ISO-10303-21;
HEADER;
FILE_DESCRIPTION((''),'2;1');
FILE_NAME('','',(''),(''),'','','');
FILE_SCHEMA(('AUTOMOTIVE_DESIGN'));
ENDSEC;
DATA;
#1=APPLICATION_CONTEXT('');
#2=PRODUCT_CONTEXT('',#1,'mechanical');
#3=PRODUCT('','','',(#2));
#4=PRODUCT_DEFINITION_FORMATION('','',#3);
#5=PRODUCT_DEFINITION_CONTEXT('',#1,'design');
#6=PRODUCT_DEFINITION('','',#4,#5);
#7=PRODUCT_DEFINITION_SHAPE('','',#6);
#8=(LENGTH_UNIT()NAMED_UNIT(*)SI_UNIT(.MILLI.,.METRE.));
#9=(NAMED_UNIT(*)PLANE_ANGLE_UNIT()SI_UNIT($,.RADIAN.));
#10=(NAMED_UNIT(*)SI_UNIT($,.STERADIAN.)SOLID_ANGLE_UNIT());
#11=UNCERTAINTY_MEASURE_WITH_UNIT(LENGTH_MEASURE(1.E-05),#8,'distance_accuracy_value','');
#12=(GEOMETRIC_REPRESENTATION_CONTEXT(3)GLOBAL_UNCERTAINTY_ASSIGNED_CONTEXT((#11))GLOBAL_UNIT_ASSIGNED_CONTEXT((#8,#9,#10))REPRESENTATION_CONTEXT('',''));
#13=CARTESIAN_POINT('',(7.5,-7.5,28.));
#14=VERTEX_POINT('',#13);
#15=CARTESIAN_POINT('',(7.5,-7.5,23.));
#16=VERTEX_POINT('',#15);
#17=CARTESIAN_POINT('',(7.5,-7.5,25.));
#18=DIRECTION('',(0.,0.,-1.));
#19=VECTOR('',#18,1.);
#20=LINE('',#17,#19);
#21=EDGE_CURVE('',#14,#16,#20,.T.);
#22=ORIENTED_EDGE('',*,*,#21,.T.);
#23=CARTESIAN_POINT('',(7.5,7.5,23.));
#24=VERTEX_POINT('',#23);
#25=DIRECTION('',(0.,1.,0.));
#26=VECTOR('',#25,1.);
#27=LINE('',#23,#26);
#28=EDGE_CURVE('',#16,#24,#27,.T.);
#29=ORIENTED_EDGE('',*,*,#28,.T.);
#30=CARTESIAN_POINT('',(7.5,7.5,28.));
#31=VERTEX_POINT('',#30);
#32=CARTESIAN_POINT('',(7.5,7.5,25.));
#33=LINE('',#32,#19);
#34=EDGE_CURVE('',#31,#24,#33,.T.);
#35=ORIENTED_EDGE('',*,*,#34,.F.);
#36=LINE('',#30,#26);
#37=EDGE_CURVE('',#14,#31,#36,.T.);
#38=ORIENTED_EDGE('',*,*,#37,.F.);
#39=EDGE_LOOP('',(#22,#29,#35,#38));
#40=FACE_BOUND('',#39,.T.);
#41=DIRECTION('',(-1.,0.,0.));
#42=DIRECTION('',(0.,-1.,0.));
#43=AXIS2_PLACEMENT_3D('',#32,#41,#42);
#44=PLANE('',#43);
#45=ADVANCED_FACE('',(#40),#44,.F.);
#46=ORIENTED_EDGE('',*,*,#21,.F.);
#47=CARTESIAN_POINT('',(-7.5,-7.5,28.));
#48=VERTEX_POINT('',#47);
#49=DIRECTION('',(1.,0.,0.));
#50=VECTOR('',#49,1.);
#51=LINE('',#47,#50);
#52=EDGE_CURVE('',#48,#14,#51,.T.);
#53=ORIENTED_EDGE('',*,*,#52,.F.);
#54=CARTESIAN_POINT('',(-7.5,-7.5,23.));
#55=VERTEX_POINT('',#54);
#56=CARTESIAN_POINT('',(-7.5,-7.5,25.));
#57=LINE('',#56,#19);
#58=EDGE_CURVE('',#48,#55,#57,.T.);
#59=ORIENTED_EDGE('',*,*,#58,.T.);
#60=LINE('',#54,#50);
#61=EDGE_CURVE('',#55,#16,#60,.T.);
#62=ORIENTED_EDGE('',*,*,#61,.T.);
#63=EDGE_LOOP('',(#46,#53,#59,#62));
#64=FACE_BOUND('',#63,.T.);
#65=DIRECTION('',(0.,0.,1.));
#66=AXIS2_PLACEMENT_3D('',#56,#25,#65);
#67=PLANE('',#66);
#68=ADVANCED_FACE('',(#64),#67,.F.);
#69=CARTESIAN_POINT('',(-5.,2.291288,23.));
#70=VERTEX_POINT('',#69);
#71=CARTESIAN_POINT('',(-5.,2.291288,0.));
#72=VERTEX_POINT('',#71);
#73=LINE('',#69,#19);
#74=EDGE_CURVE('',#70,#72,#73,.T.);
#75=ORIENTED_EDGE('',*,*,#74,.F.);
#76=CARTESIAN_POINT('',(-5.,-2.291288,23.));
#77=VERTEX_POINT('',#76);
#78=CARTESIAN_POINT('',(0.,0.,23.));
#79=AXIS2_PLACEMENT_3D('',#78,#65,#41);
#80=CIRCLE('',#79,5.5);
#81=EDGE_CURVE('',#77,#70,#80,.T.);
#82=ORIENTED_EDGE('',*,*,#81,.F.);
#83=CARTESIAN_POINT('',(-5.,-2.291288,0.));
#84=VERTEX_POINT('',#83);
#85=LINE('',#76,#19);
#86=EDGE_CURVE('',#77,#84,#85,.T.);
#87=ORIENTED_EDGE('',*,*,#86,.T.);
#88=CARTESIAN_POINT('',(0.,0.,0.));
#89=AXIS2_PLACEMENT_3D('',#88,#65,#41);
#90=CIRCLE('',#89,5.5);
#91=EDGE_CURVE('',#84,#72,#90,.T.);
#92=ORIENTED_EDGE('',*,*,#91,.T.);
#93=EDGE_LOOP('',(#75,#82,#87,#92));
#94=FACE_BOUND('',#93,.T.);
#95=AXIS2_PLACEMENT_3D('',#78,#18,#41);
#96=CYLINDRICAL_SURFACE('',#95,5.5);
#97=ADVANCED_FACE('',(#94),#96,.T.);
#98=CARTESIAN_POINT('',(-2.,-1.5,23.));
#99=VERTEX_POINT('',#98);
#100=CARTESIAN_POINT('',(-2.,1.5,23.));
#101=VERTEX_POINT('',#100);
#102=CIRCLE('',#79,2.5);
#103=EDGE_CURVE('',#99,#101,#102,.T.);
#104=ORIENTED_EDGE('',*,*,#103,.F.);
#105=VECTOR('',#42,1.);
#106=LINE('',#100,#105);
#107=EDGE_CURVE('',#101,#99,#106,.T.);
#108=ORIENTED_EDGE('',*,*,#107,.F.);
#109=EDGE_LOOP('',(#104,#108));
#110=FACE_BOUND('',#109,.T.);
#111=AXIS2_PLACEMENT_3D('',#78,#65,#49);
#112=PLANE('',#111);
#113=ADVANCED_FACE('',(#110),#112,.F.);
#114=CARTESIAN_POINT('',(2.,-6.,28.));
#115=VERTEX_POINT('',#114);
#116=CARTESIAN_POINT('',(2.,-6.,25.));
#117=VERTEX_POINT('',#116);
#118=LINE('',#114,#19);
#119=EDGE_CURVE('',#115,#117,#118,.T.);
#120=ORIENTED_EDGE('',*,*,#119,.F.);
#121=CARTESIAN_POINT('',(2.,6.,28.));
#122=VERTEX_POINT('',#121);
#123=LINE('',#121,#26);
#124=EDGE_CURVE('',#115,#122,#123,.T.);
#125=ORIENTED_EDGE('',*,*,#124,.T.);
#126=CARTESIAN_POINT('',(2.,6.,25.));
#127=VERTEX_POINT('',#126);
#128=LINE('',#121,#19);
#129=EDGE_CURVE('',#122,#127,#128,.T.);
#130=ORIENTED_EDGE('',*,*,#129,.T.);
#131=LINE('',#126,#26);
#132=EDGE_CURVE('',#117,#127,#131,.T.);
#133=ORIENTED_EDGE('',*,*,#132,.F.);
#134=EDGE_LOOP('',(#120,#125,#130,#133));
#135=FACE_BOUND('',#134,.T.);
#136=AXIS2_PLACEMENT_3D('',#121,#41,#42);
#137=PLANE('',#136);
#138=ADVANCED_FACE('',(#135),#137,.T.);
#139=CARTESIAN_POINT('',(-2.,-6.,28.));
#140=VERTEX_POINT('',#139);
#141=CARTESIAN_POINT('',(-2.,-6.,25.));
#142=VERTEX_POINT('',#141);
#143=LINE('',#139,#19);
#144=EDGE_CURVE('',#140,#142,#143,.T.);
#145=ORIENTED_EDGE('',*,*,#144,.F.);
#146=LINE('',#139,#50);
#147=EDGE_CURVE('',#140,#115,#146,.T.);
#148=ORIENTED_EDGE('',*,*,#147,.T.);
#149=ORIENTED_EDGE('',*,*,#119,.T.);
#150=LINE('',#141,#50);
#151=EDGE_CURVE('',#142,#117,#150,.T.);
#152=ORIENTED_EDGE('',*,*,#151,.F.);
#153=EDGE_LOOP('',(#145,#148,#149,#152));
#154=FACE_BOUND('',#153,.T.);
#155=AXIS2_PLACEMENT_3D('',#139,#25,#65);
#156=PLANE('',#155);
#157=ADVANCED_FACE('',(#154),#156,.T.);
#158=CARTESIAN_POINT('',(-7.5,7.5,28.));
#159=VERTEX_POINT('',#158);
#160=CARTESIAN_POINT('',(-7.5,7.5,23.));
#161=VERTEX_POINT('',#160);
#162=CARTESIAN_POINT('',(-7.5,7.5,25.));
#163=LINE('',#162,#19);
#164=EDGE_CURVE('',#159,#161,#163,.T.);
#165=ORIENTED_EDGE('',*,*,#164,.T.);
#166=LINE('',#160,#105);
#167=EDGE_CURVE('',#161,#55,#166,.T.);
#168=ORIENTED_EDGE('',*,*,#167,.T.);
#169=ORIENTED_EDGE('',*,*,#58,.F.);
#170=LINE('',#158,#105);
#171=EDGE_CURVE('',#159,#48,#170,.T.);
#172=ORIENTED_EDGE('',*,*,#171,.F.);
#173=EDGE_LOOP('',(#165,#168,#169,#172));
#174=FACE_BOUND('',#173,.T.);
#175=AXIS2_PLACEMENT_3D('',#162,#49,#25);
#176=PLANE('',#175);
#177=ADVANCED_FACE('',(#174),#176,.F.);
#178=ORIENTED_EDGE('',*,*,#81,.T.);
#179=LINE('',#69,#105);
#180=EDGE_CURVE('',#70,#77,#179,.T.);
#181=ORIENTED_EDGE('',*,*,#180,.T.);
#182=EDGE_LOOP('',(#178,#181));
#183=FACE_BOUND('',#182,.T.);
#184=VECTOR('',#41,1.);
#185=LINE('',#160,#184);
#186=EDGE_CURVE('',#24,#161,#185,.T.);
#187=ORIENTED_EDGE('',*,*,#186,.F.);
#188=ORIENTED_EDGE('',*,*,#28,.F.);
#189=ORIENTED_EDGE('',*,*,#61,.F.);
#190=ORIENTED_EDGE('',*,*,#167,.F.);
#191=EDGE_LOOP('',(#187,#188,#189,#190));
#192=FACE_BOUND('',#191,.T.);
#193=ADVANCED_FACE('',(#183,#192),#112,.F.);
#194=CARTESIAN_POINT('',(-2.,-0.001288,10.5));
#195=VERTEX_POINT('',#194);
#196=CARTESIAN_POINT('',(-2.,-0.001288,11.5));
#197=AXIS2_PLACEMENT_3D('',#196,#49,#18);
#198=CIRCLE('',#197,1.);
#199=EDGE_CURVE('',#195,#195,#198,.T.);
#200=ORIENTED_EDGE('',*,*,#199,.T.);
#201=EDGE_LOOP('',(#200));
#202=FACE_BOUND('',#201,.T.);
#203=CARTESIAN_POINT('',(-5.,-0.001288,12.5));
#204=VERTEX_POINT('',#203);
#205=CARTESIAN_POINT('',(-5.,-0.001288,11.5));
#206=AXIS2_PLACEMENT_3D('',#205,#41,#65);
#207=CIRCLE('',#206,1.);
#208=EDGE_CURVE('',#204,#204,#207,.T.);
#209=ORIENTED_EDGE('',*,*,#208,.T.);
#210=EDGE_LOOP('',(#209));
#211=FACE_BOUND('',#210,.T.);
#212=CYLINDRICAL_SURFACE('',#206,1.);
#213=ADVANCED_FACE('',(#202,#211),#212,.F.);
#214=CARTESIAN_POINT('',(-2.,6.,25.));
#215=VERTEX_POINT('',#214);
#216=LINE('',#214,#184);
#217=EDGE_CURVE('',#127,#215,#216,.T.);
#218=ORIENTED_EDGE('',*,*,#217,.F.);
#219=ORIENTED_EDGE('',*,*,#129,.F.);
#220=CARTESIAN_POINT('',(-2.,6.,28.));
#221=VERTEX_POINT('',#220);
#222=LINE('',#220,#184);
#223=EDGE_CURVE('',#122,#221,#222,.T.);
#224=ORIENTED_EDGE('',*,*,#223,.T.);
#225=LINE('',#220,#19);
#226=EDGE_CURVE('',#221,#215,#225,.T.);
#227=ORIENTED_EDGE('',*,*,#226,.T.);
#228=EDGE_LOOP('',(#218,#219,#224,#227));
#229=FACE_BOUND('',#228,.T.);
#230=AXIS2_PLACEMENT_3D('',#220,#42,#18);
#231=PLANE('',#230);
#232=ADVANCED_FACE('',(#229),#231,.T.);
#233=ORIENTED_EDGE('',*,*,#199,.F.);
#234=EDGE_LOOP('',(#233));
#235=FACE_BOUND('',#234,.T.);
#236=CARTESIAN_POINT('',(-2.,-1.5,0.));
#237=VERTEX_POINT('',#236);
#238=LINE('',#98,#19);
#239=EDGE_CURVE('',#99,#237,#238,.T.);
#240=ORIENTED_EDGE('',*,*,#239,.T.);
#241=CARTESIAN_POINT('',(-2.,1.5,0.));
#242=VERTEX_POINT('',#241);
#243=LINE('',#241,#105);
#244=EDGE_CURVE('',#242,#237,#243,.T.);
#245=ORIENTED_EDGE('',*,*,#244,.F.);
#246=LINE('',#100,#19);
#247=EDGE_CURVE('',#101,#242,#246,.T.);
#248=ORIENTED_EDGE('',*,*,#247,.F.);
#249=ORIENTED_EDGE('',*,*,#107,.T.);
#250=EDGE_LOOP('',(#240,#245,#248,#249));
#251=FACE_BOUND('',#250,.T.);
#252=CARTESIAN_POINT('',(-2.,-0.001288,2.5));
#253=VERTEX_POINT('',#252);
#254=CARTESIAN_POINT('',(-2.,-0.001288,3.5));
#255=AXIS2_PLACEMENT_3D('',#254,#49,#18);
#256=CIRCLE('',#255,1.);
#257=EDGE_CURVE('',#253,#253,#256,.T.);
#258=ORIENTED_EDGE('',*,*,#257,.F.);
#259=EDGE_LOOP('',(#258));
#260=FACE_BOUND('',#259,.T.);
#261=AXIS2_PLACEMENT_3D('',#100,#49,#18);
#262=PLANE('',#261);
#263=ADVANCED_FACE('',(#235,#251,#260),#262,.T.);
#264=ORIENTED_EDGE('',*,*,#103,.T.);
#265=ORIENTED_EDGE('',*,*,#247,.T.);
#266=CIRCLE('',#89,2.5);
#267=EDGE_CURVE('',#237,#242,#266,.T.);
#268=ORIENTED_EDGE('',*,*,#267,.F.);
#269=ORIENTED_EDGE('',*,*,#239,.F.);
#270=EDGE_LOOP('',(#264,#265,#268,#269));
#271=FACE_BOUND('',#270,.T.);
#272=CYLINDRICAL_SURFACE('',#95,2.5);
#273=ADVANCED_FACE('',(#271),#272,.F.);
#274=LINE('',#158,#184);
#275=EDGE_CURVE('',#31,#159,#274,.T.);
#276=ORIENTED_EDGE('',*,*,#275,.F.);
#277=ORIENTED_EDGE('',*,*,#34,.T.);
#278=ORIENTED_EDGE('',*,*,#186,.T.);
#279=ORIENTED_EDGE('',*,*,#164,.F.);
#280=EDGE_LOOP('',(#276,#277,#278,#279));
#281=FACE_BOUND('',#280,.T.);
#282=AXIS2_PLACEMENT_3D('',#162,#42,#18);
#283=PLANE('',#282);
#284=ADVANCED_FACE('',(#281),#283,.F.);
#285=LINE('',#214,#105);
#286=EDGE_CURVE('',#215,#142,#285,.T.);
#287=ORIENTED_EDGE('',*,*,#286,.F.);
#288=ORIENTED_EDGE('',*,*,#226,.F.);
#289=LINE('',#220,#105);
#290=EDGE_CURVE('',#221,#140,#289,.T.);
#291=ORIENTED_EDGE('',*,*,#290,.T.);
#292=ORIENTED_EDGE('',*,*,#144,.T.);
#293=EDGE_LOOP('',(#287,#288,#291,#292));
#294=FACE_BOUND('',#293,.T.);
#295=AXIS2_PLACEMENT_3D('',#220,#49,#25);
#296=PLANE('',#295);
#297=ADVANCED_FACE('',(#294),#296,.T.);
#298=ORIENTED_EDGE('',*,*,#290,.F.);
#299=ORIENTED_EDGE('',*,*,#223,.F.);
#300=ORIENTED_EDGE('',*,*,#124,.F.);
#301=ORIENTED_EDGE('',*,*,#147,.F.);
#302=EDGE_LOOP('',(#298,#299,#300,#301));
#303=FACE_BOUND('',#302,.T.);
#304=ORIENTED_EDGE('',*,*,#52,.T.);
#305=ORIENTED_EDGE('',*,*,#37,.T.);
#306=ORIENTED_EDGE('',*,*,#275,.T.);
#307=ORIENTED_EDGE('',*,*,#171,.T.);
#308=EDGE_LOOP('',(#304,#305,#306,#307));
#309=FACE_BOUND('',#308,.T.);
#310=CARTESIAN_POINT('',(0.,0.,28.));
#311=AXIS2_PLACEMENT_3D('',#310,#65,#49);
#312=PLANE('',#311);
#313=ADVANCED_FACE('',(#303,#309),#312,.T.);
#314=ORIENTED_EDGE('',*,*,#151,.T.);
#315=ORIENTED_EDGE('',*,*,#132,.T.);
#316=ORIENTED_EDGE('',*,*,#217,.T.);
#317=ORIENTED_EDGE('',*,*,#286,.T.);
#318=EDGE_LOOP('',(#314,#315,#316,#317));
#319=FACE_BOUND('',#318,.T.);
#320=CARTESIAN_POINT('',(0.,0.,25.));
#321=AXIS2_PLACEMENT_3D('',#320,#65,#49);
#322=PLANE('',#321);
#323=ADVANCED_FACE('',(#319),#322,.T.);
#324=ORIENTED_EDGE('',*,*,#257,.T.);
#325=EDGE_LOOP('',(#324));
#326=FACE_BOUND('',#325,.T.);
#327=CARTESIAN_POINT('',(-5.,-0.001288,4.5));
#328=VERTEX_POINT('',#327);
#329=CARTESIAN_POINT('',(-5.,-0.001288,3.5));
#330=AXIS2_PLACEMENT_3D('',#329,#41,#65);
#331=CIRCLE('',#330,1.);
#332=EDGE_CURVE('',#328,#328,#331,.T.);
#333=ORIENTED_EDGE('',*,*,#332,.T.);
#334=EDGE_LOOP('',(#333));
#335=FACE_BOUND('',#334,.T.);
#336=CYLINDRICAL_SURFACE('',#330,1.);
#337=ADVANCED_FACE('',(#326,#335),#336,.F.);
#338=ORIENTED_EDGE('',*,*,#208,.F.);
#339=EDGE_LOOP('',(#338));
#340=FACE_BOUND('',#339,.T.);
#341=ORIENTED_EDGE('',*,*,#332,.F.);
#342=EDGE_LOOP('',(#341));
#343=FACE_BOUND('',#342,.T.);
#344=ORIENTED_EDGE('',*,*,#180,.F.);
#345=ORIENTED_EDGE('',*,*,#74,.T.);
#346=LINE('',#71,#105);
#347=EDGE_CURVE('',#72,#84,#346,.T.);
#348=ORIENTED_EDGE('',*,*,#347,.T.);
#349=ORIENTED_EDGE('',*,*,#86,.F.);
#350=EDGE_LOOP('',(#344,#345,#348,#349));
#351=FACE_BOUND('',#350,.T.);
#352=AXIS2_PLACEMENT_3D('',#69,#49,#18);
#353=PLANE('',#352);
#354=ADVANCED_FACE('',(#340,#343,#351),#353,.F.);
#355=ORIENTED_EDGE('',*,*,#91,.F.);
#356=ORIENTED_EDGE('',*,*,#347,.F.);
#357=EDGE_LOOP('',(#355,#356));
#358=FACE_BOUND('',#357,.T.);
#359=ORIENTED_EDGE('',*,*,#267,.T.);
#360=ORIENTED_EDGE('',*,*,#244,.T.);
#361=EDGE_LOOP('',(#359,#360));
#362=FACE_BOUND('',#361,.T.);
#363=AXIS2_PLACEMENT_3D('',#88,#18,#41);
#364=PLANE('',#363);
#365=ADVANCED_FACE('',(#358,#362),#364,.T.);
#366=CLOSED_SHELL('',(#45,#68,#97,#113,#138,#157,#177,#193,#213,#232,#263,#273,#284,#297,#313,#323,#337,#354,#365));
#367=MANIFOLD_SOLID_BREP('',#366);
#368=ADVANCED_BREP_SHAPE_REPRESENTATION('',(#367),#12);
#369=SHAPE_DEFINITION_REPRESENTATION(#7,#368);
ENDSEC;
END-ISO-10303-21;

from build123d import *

# Parameters (mm, degrees)
BOSS_EXTRU_1_DEPTH                = 23
DIAM_TRE_DU_PER_AGE_2_0_2_1_D     = 2
DIAM_TRE_DU_PER_AGE_2_0_2_1_DEPTH = 3
ESQUISSE4_W                       = 15
ESQUISSE4_H                       = 15
BOSS_EXTRU_3_DEPTH                = 2
ESQUISSE6_W                       = 15
ESQUISSE6_H                       = 15
ESQUISSE6_W_2                     = 4
ESQUISSE6_H_2                     = 12
BOSS_EXTRU_4_DEPTH                = 3


with BuildPart() as part:
    # Esquisse1 → Boss.-Extru.1 (new body)
    with BuildSketch(Plane.XY):
        with BuildLine():
            Line((-5, 2.291287847), (-5, -2.291287847))
            ThreePointArc((-5, -2.291287847), (5.5, 0), (-5, 2.291287847))
        make_face()
        with BuildLine():
            Line((-2, 1.5), (-2, -1.5))
            ThreePointArc((-2, -1.5), (2.5, 0), (-2, 1.5))
        make_face(mode=Mode.SUBTRACT)
    extrude(amount=BOSS_EXTRU_1_DEPTH)

    # Diamètre du perçage Ø2.0 (2)1
    with Locations(Plane(origin=(-5, -0.001287847, 3.5), x_dir=(0, 0, -1), z_dir=(-1, 0, 0))):
        with Locations((0, 0), (-8, 0)):
            Hole(DIAM_TRE_DU_PER_AGE_2_0_2_1_D / 2, depth=DIAM_TRE_DU_PER_AGE_2_0_2_1_DEPTH)

    # Esquisse4 → Boss.-Extru.3 (add)
    with BuildSketch(Plane.XY.offset(23)):
        Rectangle(ESQUISSE4_W, ESQUISSE4_H)
    extrude(amount=BOSS_EXTRU_3_DEPTH)

    # Esquisse6 → Boss.-Extru.4 (add)
    with BuildSketch(Plane.XY.offset(25)):
        Rectangle(ESQUISSE6_W, ESQUISSE6_H)
        Rectangle(ESQUISSE6_W_2, ESQUISSE6_H_2, mode=Mode.SUBTRACT)
    extrude(amount=BOSS_EXTRU_4_DEPTH)


solid = part.part
